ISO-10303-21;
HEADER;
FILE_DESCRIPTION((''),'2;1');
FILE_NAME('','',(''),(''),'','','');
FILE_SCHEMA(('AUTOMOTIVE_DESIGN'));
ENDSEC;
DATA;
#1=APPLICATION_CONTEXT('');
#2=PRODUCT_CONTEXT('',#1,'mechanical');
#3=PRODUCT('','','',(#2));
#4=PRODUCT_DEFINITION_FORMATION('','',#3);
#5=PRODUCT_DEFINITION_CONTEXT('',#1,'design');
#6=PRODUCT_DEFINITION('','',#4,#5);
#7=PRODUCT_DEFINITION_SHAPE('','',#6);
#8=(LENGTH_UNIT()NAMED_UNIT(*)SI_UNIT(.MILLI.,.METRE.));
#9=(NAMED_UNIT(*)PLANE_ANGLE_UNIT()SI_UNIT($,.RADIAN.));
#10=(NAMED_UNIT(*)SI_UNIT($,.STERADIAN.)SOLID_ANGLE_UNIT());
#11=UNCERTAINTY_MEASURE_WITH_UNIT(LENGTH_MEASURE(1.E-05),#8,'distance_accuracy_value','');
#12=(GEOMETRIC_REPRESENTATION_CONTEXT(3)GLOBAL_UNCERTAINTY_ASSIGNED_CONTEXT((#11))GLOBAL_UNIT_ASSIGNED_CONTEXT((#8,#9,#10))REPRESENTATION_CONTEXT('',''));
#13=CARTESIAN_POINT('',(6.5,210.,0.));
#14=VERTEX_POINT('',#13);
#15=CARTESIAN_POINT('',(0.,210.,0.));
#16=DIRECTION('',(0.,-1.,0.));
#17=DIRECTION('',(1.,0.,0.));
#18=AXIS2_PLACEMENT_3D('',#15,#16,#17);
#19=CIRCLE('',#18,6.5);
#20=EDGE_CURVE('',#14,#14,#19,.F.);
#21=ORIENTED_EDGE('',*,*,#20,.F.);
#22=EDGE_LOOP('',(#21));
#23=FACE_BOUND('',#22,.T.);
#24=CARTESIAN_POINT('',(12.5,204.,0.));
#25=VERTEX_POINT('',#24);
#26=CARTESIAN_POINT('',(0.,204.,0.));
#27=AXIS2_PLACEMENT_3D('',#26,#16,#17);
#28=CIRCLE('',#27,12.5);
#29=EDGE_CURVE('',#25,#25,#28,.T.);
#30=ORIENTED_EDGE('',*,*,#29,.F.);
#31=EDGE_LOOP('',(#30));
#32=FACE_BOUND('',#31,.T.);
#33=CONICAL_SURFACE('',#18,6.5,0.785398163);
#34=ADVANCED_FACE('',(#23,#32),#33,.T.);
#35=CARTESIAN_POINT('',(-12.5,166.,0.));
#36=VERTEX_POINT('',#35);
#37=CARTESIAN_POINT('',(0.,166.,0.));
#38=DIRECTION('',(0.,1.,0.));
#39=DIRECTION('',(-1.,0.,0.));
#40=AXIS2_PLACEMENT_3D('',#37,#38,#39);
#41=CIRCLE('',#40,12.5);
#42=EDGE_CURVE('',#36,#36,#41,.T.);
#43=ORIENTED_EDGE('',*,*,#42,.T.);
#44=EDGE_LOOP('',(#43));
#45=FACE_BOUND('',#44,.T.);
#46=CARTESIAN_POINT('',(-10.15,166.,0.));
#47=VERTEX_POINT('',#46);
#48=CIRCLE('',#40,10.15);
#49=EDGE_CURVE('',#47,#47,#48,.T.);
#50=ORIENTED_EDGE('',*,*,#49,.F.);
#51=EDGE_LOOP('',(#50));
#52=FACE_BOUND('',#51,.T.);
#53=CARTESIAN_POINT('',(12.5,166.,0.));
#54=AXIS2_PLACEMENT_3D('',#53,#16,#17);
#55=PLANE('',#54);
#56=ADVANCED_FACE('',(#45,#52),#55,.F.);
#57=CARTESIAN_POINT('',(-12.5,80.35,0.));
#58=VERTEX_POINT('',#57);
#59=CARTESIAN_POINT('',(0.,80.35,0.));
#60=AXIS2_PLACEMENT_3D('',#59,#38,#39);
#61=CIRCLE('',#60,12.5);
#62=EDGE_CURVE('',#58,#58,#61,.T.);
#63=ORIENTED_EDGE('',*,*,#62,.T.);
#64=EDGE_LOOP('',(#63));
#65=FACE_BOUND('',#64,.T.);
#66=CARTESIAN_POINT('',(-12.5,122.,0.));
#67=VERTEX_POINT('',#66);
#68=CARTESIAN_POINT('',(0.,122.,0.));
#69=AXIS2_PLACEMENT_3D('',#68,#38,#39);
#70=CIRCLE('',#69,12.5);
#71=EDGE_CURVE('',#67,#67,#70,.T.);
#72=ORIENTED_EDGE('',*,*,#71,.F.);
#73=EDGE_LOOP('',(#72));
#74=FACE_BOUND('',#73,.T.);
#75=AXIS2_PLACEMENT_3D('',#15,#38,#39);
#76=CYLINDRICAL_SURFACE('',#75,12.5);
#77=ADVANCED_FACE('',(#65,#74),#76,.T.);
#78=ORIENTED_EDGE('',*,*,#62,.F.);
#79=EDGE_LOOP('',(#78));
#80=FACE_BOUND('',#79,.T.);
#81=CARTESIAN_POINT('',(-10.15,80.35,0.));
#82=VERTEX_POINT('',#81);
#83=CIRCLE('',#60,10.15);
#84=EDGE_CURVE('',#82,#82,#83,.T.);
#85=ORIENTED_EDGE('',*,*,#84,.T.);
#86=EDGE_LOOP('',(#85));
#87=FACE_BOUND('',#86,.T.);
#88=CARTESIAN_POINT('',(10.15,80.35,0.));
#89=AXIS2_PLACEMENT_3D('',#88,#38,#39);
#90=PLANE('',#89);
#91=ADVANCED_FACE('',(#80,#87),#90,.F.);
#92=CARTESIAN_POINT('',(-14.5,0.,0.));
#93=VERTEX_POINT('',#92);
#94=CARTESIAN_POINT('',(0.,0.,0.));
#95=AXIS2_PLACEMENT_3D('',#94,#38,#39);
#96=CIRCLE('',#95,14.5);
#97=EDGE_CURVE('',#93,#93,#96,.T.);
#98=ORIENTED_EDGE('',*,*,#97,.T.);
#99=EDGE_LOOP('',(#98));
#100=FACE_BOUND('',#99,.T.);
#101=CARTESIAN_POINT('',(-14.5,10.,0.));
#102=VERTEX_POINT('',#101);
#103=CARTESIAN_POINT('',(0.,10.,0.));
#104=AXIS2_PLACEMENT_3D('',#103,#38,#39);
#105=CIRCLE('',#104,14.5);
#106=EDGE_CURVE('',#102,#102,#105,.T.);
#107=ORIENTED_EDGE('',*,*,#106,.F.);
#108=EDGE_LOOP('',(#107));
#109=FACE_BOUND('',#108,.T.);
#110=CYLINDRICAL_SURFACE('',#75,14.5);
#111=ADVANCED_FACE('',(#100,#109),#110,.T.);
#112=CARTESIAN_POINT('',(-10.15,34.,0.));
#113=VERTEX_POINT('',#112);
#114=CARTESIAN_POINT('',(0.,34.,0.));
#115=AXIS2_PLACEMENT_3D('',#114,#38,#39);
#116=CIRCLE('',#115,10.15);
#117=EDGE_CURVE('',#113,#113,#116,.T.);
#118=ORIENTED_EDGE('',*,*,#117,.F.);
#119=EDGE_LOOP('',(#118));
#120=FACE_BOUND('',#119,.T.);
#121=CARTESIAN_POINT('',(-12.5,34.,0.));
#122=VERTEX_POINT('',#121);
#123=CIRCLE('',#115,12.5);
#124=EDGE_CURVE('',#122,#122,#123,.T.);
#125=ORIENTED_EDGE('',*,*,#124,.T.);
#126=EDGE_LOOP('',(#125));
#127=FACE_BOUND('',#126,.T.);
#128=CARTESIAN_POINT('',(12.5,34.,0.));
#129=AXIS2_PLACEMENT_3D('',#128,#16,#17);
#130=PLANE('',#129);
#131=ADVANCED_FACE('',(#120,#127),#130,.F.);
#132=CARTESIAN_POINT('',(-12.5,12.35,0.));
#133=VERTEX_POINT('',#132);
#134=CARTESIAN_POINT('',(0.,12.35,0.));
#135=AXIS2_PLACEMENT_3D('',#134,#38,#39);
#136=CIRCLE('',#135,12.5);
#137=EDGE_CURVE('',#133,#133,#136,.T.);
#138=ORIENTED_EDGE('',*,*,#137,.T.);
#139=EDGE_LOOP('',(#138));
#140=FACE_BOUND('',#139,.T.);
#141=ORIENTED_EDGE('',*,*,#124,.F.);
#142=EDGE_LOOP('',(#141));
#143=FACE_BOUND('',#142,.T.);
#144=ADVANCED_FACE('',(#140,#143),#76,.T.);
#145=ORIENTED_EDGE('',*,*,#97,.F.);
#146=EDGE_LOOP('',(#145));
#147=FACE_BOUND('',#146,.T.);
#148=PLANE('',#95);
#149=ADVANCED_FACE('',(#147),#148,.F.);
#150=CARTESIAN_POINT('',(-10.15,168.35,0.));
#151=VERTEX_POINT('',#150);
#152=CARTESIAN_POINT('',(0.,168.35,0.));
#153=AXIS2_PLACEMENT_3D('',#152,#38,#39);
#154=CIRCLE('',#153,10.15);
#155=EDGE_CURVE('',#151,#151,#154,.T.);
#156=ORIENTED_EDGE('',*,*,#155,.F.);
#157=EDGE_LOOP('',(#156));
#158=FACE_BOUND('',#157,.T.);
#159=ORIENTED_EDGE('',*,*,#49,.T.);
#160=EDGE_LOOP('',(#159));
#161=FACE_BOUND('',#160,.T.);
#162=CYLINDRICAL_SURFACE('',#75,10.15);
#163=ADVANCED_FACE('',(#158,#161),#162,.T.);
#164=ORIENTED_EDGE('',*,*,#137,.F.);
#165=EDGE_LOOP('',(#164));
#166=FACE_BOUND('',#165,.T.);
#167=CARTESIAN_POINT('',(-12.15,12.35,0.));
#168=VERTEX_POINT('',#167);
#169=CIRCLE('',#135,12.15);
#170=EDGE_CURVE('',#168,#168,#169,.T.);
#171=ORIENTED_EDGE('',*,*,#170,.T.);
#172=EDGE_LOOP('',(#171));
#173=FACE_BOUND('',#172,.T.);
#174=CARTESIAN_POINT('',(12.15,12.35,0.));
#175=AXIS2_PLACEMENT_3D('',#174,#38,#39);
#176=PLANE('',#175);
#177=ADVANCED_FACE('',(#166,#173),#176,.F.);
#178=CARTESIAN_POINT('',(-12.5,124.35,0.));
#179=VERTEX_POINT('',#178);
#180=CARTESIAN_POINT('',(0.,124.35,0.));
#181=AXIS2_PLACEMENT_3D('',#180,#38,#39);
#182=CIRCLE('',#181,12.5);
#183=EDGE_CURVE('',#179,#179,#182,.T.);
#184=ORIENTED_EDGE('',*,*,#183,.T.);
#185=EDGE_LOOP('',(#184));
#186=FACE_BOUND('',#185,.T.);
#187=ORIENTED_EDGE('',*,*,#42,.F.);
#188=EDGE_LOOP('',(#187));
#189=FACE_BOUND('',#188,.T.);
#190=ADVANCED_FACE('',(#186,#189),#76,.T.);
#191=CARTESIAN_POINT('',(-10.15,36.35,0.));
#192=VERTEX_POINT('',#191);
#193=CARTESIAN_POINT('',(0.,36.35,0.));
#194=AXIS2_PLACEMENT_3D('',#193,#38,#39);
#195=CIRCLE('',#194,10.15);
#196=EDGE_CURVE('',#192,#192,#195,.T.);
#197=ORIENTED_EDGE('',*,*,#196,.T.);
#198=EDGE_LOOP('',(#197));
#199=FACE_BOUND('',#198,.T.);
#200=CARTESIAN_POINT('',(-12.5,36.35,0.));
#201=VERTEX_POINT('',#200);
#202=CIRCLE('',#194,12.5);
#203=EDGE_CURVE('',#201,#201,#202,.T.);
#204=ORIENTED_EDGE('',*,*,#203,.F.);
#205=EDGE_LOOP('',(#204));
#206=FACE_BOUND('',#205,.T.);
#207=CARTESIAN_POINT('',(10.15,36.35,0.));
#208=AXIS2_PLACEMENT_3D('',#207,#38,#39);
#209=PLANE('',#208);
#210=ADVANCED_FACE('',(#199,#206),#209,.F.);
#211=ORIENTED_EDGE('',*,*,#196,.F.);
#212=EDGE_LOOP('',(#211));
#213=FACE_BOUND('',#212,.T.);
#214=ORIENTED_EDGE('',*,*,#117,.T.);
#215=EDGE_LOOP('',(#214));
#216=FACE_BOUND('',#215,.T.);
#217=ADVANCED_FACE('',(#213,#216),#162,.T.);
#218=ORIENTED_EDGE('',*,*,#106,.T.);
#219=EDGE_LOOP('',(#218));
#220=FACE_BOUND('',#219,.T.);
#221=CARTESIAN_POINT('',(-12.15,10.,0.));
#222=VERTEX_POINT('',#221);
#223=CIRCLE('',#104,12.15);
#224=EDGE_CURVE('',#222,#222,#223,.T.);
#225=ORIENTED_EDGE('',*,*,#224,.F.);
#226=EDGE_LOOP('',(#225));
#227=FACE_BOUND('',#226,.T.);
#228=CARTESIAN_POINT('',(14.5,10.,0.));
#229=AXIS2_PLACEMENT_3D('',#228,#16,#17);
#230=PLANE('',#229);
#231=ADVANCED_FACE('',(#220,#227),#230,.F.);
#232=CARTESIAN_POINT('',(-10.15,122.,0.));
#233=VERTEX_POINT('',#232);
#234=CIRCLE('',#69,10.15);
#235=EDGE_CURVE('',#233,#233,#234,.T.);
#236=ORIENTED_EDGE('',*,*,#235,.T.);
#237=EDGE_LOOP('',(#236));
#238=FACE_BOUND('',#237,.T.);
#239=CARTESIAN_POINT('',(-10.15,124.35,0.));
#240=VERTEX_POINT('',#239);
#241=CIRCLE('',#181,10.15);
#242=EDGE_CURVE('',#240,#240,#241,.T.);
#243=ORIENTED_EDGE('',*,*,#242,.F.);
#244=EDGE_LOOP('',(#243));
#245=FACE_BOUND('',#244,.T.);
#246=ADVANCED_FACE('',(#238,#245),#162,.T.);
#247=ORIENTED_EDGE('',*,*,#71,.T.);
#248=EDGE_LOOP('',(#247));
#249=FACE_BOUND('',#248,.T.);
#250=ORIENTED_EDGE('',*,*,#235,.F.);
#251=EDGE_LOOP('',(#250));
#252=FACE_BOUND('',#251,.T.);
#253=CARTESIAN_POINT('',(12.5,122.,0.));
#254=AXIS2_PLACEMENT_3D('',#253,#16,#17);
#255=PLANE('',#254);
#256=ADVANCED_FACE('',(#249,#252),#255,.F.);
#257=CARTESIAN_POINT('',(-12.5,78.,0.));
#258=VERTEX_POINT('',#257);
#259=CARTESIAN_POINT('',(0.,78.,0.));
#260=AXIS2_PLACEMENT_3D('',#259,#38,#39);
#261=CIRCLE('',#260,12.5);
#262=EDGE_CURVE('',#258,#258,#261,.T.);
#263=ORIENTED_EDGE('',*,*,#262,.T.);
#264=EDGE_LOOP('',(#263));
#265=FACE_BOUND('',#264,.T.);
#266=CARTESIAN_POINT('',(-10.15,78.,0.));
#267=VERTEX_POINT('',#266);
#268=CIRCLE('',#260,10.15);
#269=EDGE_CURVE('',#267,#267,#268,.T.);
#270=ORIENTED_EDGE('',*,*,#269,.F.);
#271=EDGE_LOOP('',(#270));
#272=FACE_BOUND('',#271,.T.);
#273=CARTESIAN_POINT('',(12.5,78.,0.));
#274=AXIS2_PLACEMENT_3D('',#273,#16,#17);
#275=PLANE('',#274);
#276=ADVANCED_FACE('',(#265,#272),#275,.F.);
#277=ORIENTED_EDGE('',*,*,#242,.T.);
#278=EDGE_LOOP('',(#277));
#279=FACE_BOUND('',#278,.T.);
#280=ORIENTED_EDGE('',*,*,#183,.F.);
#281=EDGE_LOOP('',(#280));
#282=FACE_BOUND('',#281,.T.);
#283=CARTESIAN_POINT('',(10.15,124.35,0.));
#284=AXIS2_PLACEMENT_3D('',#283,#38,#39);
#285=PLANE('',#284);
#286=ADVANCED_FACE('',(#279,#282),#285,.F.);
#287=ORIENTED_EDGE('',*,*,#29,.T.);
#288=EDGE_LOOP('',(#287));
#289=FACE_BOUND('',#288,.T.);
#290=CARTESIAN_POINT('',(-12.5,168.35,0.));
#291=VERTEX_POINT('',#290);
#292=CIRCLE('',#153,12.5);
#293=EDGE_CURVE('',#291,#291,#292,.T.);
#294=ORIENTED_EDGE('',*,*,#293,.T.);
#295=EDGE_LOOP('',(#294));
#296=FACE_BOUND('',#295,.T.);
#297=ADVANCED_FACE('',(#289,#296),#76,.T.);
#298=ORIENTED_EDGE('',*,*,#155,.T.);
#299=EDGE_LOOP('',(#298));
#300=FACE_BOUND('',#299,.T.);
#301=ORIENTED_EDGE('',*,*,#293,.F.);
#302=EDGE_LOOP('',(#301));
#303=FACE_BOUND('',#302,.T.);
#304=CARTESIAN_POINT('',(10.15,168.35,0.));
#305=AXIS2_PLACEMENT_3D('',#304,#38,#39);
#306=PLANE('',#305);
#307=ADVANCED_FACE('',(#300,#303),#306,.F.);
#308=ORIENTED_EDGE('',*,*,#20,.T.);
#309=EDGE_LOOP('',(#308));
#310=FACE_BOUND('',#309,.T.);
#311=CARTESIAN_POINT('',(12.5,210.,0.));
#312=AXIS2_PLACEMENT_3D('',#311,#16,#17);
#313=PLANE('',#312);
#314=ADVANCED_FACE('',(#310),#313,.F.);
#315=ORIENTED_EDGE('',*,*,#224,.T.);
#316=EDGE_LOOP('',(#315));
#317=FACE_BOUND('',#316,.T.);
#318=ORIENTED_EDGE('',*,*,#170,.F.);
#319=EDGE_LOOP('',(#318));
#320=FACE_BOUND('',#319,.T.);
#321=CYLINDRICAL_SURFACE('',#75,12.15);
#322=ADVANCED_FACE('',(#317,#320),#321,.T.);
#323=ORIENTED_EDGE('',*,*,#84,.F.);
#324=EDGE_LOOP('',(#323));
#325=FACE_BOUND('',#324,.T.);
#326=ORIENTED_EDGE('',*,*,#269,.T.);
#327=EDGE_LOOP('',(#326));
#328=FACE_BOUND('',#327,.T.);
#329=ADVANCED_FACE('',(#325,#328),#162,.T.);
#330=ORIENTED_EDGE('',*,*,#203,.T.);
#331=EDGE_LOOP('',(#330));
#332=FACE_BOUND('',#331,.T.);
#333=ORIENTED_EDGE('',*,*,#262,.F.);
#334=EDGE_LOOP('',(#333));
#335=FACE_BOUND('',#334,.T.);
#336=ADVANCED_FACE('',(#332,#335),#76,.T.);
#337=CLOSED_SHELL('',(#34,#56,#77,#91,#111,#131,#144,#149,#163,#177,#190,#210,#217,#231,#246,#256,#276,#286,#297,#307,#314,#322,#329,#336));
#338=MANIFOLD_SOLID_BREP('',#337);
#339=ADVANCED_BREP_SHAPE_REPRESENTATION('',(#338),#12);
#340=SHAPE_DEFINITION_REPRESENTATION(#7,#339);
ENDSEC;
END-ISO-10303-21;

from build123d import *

# Parameters (mm, degrees)
CHAMFER1_SIZE = 6


with BuildPart() as part:
    # Sketch1 → Revolve1 (revolve)
    with BuildSketch(Plane.XY, mode=Mode.PRIVATE) as revolve1_sk:
        Polygon((0, 0), (14.5, 0), (14.5, 10), (12.15, 10), (12.15, 12.35), (12.5, 12.35), (12.5, 34), (10.15, 34), (10.15, 36.35), (12.5, 36.35), (12.5, 78), (10.15, 78), (10.15, 80.35), (12.5, 80.35), (12.5, 122), (10.15, 122), (10.15, 124.35), (12.5, 124.35), (12.5, 166), (10.15, 166), (10.15, 168.35), (12.5, 168.35), (12.5, 210), (0, 210), align=None)
    revolve(revolve1_sk.sketch.rotate(Axis((0, 210, 0), (0, -1, 0)), 180), axis=Axis((0, 210, 0), (0, -1, 0)))

    # Chamfer1
    chamfer1_edges = [part.edges().sort_by_distance(p)[0] for p in [
        (12.5, 210, 0),
    ]]
    chamfer(chamfer1_edges, length=CHAMFER1_SIZE)


solid = part.part
